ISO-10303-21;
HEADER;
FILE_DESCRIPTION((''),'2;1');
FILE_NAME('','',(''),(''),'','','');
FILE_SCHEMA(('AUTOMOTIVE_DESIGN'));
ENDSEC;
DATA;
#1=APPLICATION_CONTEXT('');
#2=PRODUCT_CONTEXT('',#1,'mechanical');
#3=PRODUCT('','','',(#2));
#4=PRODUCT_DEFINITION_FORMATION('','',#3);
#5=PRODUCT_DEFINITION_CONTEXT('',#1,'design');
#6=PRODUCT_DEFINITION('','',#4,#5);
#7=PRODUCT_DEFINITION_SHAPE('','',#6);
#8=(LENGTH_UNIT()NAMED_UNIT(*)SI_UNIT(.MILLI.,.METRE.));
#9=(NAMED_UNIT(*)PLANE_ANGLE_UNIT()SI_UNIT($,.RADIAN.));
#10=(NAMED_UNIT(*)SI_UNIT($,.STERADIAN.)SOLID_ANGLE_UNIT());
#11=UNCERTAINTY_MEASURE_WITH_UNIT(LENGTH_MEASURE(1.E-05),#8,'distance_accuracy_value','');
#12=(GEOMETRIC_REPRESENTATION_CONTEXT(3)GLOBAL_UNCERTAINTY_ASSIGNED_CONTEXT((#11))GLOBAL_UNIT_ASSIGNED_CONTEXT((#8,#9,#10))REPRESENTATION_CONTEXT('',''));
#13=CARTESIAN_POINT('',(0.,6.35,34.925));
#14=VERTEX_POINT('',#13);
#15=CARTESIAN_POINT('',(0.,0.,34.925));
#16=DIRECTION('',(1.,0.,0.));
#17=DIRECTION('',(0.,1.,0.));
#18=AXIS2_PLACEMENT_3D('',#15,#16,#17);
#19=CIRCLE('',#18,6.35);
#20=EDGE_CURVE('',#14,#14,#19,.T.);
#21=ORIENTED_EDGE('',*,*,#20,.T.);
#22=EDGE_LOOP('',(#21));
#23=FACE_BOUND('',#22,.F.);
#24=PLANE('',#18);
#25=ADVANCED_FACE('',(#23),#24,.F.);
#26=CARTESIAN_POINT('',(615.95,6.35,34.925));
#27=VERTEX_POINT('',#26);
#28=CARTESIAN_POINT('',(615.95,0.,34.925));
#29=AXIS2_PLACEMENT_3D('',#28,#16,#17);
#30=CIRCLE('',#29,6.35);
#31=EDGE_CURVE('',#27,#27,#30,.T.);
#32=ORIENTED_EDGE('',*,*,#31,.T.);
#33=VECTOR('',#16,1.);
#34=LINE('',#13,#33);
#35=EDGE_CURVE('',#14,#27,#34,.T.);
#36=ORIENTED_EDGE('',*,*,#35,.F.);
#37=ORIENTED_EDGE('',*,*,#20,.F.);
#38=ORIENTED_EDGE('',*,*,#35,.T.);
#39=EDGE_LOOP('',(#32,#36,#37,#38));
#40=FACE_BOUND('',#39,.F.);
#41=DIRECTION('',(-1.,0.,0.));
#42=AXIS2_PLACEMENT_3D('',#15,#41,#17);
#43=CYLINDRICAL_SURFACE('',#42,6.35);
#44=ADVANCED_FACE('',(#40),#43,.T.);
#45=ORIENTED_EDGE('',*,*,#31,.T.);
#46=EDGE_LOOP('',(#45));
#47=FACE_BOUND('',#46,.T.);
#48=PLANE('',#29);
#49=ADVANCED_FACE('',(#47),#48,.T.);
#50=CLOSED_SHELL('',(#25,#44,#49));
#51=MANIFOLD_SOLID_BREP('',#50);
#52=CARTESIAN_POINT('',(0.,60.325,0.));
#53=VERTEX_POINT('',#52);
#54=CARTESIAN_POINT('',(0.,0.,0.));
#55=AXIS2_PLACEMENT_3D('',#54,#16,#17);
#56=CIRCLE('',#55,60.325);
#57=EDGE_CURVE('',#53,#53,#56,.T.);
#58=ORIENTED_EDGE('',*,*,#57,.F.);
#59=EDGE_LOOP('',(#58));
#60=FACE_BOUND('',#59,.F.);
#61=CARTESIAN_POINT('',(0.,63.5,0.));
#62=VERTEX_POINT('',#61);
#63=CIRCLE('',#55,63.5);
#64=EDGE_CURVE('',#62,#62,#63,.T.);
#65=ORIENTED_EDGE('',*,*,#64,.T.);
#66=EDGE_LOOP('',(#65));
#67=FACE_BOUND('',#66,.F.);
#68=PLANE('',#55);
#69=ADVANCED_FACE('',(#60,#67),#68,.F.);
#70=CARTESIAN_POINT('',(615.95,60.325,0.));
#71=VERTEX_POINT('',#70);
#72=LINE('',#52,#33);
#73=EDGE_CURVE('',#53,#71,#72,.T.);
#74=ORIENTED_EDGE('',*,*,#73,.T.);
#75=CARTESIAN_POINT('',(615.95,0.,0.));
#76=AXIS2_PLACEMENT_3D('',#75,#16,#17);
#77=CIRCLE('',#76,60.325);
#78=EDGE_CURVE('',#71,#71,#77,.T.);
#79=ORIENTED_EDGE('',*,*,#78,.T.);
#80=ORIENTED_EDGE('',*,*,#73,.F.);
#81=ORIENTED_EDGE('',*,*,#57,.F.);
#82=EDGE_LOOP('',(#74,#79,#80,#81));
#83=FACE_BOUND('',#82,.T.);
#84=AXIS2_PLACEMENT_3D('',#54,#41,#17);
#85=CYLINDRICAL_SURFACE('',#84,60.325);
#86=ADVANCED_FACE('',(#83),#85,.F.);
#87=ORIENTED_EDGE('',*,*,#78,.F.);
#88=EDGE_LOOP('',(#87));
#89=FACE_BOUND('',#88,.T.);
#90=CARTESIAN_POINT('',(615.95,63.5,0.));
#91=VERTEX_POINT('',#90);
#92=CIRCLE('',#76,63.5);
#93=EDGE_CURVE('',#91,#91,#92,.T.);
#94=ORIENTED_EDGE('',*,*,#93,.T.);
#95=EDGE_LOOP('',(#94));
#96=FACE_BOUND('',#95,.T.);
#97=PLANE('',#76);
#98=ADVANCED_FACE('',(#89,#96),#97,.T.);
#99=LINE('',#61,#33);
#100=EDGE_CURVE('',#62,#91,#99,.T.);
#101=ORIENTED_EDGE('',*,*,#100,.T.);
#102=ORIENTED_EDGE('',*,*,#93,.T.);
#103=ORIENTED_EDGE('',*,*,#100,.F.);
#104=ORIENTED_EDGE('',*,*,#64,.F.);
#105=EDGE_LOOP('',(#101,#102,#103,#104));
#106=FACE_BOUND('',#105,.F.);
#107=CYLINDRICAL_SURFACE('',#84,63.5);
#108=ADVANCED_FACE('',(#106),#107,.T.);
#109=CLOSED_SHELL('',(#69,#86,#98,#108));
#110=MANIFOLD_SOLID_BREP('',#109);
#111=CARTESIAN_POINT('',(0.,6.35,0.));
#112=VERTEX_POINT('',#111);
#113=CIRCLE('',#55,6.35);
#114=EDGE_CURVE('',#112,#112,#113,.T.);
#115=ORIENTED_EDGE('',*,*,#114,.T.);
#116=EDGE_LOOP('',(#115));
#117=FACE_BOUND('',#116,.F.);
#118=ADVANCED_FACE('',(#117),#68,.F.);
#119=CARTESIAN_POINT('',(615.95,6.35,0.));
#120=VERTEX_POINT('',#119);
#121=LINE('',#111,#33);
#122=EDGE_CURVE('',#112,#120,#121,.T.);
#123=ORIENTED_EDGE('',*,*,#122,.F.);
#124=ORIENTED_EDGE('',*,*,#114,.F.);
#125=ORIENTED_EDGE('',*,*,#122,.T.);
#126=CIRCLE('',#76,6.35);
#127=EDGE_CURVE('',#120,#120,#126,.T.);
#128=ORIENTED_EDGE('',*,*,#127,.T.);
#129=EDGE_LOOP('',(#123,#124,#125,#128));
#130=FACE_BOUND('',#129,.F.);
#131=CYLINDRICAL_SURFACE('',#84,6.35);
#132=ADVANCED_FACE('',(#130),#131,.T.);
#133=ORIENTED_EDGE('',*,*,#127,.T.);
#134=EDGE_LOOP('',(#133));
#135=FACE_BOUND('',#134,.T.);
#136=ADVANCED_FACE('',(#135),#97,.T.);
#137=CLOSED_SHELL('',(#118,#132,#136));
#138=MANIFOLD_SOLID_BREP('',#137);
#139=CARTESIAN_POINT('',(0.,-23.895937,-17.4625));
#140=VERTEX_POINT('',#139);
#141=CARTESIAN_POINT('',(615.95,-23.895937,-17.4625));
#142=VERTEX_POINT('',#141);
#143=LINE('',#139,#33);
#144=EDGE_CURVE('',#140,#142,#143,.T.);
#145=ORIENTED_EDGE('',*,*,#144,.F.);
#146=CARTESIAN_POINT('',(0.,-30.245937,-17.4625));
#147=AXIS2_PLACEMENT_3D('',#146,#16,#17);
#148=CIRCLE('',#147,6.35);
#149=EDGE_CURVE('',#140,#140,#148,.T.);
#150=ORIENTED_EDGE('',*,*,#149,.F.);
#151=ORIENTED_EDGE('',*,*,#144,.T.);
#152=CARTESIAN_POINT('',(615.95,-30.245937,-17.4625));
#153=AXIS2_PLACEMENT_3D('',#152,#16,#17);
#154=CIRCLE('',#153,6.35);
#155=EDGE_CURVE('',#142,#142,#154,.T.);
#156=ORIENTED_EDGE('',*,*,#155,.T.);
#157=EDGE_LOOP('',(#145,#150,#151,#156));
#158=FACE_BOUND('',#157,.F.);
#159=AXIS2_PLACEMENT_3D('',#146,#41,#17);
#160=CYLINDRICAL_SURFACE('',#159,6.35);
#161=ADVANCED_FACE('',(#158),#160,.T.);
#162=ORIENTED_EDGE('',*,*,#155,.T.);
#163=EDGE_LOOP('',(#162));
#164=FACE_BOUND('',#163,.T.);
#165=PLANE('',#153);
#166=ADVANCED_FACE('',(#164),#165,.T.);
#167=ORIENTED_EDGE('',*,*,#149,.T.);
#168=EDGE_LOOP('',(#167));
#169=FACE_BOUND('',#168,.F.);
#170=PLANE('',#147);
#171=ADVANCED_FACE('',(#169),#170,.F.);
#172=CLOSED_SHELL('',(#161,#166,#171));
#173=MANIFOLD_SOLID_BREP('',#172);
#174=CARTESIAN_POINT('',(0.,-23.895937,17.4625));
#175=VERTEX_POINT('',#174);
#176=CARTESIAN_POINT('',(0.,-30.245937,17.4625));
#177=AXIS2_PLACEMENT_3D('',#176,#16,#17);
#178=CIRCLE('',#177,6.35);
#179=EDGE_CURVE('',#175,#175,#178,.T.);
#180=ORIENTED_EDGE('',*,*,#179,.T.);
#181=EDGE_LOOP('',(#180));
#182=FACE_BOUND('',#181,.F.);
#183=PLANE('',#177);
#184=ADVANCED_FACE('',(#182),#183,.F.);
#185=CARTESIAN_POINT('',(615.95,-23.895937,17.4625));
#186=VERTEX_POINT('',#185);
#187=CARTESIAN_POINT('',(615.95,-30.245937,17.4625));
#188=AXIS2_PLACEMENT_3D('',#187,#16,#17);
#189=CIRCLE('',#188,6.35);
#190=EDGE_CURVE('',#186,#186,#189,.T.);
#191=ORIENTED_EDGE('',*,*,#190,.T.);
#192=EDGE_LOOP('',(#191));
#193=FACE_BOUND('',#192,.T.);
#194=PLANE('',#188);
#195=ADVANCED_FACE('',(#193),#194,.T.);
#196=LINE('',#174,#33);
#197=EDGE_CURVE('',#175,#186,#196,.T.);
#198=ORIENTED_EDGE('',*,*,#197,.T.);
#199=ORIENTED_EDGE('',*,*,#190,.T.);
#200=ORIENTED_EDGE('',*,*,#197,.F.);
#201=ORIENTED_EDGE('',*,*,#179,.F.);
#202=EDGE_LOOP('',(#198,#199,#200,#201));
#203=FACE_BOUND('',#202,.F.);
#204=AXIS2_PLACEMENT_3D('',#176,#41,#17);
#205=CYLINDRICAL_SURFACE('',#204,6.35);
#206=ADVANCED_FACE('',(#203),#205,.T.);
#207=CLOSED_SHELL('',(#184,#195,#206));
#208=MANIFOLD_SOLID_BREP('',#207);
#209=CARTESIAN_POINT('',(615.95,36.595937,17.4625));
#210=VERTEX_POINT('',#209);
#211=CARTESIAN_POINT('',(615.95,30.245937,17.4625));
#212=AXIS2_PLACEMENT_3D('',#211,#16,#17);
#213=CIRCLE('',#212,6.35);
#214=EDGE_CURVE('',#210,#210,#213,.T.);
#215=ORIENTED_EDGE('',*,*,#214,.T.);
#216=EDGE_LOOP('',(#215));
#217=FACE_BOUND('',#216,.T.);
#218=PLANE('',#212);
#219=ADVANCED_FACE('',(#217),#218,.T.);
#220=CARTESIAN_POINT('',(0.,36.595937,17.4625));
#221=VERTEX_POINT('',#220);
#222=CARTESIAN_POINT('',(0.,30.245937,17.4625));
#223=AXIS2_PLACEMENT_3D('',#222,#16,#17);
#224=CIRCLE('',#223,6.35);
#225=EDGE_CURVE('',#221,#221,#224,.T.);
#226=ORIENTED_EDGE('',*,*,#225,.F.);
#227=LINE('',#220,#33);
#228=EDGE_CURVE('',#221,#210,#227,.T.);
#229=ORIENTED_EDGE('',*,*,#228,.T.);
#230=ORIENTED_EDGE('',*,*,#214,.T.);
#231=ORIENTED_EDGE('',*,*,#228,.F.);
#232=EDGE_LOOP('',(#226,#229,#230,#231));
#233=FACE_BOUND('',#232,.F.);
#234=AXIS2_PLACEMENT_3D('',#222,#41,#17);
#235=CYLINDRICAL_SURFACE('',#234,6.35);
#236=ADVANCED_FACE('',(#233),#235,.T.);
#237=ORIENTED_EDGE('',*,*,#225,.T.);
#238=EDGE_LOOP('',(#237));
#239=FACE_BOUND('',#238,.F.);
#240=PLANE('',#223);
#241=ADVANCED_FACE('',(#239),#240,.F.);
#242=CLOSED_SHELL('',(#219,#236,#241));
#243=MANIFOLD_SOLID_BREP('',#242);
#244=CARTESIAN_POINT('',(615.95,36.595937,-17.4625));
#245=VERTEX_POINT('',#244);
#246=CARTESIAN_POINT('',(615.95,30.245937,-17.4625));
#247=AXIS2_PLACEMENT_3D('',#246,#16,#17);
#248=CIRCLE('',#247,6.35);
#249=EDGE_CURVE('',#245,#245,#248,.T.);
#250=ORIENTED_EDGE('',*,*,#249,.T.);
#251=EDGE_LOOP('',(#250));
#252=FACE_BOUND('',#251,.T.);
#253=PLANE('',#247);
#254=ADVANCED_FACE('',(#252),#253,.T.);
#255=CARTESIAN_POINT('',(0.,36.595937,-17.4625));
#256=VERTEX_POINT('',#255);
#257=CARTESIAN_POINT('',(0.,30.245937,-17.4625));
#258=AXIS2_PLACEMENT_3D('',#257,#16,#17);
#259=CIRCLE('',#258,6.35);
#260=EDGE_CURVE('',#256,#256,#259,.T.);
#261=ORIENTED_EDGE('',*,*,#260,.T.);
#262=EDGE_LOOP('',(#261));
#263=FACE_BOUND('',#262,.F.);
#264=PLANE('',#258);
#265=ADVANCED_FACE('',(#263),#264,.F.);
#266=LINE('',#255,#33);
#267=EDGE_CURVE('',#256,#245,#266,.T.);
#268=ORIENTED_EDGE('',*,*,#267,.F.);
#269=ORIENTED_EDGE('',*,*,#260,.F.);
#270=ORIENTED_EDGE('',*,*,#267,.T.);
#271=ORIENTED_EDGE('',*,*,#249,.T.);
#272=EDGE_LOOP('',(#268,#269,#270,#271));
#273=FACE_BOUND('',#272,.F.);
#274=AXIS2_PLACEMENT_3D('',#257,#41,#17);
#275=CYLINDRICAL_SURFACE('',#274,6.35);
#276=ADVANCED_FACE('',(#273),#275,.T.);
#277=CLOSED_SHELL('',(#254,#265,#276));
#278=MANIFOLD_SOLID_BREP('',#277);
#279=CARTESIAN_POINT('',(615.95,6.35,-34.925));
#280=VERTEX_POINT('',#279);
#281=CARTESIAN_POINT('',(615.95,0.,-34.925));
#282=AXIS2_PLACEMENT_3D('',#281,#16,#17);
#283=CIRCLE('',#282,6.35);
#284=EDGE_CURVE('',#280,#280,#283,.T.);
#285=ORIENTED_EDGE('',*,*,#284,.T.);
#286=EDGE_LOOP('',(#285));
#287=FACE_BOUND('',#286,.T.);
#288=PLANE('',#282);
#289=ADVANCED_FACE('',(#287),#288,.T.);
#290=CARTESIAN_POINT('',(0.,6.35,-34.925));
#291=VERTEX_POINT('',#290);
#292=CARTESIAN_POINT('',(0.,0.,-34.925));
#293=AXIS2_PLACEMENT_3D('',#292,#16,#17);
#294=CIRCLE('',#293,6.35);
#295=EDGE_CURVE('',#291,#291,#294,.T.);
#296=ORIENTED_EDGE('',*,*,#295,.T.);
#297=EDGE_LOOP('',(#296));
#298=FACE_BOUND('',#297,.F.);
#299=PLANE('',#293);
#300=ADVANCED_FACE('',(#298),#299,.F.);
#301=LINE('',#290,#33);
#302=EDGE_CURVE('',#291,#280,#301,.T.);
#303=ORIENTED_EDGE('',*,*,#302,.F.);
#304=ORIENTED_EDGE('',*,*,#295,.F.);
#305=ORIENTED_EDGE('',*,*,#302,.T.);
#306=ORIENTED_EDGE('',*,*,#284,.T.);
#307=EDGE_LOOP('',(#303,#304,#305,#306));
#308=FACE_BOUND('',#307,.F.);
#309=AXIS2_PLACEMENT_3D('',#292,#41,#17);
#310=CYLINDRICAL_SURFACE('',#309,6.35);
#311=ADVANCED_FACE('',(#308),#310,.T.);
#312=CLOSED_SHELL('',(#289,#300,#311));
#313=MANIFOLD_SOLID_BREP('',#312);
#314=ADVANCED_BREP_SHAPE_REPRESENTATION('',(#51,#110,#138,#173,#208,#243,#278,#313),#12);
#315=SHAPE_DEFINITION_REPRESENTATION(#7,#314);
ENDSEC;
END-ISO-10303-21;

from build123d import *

# Parameters (mm, degrees)
F0_R     = 63.5
F0_R_2   = 60.325
F1_DEPTH = 615.95
F2_R     = 6.35
F3_DEPTH = 615.95


with BuildPart() as f1:
    # F0 (on Right) → F1 (new body)
    with BuildSketch(Plane.YZ):
        Circle(F0_R)
        Circle(F0_R_2, mode=Mode.SUBTRACT)
    extrude(amount=F1_DEPTH)


with BuildPart() as f3:
    # F2 (on Right) → F3 (new body)
    with BuildSketch(Plane.YZ):
        with Locations((30.245937, 17.4625)):
            Circle(F2_R)
        with Locations((0, 34.925)):
            Circle(F2_R)
        with Locations((-30.245937, 17.4625)):
            Circle(F2_R)
        with Locations((-30.245937, -17.4625)):
            Circle(F2_R)
        Circle(F2_R)
        with Locations((30.245937, -17.4625)):
            Circle(F2_R)
        with Locations((0, -34.925)):
            Circle(F2_R)
    extrude(amount=F3_DEPTH)


solid = Compound([f1.part, f3.part])
